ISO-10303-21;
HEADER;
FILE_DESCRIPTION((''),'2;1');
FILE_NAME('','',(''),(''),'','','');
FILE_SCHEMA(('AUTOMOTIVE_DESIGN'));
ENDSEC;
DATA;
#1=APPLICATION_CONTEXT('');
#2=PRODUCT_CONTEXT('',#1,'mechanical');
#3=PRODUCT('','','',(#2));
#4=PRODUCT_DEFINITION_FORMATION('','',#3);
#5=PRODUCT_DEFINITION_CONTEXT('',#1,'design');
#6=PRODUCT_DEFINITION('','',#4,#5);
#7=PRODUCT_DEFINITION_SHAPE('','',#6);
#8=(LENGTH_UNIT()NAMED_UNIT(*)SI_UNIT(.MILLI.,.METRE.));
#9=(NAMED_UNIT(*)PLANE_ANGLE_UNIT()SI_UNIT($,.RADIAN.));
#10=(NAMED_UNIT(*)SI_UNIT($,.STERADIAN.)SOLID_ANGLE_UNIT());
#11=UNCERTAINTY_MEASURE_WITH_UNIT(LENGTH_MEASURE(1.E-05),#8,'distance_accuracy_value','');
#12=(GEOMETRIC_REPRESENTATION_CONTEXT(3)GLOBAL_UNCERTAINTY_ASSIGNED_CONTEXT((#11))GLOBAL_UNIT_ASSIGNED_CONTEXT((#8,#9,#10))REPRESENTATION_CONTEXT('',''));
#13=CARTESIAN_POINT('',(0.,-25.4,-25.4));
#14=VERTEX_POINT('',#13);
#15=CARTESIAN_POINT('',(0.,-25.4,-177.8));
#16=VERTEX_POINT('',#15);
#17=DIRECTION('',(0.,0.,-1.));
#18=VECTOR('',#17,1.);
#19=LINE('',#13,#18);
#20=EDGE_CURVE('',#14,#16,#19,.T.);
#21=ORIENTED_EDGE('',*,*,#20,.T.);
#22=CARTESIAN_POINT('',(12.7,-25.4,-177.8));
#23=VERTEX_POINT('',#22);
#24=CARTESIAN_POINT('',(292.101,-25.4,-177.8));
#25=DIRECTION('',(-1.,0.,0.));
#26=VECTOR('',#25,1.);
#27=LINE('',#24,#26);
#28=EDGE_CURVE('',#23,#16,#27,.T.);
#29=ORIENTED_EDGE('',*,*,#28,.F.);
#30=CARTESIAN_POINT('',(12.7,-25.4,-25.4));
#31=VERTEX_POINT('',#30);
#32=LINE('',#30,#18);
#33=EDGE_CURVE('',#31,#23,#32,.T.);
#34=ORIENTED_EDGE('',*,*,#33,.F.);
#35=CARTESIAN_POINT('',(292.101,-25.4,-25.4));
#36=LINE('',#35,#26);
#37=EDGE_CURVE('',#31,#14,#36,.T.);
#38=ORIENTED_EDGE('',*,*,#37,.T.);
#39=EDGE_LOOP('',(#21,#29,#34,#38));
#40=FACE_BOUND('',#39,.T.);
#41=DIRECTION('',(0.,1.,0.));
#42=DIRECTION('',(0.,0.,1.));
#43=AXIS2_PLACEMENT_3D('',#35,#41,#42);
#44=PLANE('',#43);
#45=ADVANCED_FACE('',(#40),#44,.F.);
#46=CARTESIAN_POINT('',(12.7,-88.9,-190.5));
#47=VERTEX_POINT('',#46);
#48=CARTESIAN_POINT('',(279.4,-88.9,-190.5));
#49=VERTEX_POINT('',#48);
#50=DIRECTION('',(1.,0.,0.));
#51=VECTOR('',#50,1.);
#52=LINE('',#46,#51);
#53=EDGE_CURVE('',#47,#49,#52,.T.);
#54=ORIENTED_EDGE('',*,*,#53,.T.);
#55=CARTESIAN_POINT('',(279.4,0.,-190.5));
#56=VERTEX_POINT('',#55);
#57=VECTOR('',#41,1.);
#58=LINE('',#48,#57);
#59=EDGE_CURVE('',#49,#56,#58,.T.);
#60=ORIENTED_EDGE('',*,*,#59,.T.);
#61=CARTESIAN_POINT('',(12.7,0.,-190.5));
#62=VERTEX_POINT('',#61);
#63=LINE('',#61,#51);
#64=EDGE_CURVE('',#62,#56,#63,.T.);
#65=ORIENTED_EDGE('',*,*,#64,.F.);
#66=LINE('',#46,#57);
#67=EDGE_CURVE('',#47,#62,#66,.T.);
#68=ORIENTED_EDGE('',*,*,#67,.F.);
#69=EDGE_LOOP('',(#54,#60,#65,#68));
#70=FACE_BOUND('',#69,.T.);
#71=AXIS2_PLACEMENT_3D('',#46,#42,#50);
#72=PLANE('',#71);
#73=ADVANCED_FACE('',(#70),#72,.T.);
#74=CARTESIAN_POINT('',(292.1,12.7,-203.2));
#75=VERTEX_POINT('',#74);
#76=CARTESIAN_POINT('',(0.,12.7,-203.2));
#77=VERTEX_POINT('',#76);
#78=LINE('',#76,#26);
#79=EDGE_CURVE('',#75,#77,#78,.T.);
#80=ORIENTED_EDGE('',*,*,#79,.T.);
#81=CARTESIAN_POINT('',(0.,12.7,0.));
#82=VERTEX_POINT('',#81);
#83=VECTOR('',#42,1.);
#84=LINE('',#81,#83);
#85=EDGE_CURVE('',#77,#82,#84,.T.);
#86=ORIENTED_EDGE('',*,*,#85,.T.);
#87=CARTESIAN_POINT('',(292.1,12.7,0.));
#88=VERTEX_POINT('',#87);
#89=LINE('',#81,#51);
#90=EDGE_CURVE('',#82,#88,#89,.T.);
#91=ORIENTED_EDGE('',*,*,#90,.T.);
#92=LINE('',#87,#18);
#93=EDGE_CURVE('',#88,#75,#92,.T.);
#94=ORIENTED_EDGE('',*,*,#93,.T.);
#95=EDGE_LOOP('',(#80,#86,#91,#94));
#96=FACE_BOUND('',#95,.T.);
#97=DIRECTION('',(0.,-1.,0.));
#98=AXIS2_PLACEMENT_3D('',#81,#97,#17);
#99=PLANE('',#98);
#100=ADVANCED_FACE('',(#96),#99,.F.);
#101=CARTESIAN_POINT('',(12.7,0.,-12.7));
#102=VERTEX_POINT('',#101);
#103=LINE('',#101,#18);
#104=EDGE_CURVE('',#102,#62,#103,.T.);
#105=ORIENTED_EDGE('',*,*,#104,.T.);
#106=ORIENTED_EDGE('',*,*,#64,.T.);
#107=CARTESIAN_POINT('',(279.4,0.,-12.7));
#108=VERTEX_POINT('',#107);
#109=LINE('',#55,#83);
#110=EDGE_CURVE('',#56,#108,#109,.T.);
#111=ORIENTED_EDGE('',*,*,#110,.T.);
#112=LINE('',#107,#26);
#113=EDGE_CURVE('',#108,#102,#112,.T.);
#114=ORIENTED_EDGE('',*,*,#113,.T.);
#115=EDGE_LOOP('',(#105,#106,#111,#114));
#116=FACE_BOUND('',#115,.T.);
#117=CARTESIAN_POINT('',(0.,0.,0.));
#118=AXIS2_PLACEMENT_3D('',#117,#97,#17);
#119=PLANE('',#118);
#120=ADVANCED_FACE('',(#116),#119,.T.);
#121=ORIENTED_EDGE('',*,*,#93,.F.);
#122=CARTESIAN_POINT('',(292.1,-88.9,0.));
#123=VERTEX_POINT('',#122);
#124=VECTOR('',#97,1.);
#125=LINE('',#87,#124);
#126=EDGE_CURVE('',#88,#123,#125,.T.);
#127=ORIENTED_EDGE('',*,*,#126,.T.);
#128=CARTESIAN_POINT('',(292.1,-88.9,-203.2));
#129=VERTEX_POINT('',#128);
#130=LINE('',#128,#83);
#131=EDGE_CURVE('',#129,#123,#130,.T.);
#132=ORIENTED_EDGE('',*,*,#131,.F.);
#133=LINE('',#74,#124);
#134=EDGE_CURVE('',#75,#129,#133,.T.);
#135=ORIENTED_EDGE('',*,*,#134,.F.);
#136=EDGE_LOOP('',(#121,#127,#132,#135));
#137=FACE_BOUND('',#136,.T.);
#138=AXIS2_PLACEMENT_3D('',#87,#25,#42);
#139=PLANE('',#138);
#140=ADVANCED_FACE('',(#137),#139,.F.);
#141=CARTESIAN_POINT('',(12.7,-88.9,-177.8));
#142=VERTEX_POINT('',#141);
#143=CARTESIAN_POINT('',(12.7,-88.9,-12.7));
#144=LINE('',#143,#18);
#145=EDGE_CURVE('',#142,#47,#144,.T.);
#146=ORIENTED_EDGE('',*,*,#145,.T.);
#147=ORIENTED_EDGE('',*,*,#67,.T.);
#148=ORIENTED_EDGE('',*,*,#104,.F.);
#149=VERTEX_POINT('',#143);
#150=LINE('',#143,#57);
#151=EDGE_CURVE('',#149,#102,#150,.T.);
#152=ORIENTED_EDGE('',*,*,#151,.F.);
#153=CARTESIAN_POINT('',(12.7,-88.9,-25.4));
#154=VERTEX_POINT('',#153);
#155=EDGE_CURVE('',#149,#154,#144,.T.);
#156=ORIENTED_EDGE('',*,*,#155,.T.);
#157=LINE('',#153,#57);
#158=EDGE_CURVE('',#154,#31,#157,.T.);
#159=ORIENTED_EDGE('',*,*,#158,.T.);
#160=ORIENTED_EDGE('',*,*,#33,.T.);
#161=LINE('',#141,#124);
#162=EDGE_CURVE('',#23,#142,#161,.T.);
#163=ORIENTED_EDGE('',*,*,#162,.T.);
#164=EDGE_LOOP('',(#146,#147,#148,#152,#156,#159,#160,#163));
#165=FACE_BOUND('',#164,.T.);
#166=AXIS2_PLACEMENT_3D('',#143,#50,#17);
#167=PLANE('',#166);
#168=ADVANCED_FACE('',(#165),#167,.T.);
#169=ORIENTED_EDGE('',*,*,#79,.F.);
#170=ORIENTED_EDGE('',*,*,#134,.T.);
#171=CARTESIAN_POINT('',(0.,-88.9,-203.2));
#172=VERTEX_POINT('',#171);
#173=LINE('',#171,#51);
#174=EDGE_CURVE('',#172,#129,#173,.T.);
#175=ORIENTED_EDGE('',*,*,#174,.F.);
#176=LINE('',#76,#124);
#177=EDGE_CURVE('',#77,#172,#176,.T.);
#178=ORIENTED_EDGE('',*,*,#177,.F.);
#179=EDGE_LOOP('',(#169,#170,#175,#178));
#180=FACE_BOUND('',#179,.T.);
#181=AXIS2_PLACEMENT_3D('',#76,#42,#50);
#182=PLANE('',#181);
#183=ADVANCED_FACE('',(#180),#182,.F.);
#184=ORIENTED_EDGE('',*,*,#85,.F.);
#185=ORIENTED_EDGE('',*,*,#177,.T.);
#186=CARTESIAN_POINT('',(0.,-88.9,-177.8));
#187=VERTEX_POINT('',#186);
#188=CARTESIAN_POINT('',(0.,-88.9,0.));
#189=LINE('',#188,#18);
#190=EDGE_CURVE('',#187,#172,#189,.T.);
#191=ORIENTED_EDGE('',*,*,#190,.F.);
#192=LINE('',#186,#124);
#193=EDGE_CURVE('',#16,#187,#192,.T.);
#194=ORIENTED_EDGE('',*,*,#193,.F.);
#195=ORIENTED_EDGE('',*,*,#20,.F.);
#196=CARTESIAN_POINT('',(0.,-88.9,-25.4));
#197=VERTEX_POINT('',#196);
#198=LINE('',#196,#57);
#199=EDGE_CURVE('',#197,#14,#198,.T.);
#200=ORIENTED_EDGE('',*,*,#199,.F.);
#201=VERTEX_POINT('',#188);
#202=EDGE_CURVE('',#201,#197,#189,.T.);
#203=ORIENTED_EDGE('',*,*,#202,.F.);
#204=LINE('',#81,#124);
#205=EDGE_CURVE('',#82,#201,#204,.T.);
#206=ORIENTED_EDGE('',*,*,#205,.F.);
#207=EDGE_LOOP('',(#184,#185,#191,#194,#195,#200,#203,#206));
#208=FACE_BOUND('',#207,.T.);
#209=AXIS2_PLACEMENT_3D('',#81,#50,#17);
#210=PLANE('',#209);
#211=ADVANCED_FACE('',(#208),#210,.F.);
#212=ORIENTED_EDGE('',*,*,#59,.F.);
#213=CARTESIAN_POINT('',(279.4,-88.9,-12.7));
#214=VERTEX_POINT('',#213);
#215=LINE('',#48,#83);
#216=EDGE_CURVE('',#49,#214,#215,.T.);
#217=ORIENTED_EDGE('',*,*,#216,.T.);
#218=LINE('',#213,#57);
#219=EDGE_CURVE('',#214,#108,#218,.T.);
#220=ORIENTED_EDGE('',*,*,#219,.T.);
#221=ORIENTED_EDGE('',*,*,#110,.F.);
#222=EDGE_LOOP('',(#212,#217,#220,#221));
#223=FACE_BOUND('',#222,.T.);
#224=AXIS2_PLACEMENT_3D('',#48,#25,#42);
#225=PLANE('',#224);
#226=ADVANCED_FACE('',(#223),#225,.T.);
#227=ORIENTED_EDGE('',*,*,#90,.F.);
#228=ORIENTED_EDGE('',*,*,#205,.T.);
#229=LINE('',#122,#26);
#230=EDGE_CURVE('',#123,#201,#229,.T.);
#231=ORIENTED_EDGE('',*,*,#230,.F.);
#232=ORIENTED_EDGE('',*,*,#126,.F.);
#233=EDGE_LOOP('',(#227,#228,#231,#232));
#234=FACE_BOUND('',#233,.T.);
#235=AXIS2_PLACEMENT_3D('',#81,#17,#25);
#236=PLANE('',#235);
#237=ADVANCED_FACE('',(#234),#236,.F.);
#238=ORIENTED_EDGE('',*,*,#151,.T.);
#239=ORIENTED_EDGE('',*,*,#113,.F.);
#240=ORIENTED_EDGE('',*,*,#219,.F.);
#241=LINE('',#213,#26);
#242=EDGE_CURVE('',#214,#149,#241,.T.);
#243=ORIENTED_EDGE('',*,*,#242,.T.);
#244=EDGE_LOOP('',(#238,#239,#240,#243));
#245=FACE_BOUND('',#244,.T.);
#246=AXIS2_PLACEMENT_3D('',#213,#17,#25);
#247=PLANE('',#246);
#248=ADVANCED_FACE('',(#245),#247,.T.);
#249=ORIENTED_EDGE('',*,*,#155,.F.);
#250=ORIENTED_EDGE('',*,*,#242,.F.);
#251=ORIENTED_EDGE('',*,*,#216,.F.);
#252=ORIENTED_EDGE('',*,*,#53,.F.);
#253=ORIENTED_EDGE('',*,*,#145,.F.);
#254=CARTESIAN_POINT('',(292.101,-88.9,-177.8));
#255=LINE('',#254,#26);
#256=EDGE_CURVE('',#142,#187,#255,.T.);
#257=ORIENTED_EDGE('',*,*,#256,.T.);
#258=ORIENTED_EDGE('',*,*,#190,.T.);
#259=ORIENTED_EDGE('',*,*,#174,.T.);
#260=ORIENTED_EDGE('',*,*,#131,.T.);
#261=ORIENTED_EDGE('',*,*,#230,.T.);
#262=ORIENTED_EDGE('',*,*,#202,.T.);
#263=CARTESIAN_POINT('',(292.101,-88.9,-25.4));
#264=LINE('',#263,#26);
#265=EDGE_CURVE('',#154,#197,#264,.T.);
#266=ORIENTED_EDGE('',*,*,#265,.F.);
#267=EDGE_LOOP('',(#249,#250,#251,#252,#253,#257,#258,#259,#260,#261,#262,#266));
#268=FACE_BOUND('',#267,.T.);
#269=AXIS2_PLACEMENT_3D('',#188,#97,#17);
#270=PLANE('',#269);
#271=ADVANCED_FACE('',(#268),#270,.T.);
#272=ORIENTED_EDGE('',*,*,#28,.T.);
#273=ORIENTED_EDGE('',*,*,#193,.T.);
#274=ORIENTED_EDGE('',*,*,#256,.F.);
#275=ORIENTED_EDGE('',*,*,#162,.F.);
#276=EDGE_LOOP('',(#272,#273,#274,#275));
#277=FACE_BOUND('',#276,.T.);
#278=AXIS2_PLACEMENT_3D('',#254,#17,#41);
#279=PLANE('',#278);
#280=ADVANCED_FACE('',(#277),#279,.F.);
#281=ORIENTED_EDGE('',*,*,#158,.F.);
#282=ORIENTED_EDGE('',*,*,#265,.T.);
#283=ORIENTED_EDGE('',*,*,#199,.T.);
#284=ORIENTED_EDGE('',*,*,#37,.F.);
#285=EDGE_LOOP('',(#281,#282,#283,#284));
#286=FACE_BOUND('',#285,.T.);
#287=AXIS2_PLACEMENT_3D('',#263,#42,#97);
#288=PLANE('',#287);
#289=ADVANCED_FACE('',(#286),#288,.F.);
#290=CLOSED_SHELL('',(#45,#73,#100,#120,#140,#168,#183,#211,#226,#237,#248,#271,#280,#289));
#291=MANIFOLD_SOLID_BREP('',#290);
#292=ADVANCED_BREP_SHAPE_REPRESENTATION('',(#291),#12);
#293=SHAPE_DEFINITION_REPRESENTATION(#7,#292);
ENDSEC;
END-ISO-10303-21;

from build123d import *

# Parameters (mm, degrees)
SKETCH2_W           = 292.1
SKETCH2_H           = 203.2
BOSS_EXTRUDE1_DEPTH = 12.7
SKETCH3_W           = 292.1
SKETCH3_H           = 203.2
SKETCH3_W_2         = 266.7
SKETCH3_H_2         = 177.8
BOSS_EXTRUDE2_DEPTH = 88.9
CUT_EXTRUDE1_REACH  = 368.764
SKETCH4_W           = 152.4
SKETCH4_H           = 63.5


with BuildPart() as part:
    # Sketch2 → Boss-Extrude1 (new body)
    with BuildSketch(Plane(origin=(0, 0, 0), x_dir=(1, 0, 0), z_dir=(0, 1, 0))):
        with Locations((146.05, 101.6)):
            Rectangle(SKETCH2_W, SKETCH2_H)
    extrude(amount=BOSS_EXTRUDE1_DEPTH)

    # Sketch3 → Boss-Extrude2 (add)
    with BuildSketch(Plane.XZ):
        with Locations((146.05, -101.6)):
            Rectangle(SKETCH3_W, SKETCH3_H)
        with Locations((146.05, -101.6)):
            Rectangle(SKETCH3_W_2, SKETCH3_H_2, mode=Mode.SUBTRACT)
    extrude(amount=BOSS_EXTRUDE2_DEPTH)

    # Sketch4 → Cut-Extrude1 (cut, up to next)
    with BuildSketch(Plane.ZY, mode=Mode.PRIVATE) as cut_extrude1_sk1:
        with Locations((-101.6, -57.15)):
            Rectangle(SKETCH4_W, SKETCH4_H)
    cut_extrude1_tool1 = extrude(cut_extrude1_sk1.sketch, amount=-CUT_EXTRUDE1_REACH, mode=Mode.PRIVATE) & part.part
    add(cut_extrude1_tool1.solids().sort_by_distance((0, -57.15, -101.6))[0], mode=Mode.SUBTRACT)


solid = part.part
